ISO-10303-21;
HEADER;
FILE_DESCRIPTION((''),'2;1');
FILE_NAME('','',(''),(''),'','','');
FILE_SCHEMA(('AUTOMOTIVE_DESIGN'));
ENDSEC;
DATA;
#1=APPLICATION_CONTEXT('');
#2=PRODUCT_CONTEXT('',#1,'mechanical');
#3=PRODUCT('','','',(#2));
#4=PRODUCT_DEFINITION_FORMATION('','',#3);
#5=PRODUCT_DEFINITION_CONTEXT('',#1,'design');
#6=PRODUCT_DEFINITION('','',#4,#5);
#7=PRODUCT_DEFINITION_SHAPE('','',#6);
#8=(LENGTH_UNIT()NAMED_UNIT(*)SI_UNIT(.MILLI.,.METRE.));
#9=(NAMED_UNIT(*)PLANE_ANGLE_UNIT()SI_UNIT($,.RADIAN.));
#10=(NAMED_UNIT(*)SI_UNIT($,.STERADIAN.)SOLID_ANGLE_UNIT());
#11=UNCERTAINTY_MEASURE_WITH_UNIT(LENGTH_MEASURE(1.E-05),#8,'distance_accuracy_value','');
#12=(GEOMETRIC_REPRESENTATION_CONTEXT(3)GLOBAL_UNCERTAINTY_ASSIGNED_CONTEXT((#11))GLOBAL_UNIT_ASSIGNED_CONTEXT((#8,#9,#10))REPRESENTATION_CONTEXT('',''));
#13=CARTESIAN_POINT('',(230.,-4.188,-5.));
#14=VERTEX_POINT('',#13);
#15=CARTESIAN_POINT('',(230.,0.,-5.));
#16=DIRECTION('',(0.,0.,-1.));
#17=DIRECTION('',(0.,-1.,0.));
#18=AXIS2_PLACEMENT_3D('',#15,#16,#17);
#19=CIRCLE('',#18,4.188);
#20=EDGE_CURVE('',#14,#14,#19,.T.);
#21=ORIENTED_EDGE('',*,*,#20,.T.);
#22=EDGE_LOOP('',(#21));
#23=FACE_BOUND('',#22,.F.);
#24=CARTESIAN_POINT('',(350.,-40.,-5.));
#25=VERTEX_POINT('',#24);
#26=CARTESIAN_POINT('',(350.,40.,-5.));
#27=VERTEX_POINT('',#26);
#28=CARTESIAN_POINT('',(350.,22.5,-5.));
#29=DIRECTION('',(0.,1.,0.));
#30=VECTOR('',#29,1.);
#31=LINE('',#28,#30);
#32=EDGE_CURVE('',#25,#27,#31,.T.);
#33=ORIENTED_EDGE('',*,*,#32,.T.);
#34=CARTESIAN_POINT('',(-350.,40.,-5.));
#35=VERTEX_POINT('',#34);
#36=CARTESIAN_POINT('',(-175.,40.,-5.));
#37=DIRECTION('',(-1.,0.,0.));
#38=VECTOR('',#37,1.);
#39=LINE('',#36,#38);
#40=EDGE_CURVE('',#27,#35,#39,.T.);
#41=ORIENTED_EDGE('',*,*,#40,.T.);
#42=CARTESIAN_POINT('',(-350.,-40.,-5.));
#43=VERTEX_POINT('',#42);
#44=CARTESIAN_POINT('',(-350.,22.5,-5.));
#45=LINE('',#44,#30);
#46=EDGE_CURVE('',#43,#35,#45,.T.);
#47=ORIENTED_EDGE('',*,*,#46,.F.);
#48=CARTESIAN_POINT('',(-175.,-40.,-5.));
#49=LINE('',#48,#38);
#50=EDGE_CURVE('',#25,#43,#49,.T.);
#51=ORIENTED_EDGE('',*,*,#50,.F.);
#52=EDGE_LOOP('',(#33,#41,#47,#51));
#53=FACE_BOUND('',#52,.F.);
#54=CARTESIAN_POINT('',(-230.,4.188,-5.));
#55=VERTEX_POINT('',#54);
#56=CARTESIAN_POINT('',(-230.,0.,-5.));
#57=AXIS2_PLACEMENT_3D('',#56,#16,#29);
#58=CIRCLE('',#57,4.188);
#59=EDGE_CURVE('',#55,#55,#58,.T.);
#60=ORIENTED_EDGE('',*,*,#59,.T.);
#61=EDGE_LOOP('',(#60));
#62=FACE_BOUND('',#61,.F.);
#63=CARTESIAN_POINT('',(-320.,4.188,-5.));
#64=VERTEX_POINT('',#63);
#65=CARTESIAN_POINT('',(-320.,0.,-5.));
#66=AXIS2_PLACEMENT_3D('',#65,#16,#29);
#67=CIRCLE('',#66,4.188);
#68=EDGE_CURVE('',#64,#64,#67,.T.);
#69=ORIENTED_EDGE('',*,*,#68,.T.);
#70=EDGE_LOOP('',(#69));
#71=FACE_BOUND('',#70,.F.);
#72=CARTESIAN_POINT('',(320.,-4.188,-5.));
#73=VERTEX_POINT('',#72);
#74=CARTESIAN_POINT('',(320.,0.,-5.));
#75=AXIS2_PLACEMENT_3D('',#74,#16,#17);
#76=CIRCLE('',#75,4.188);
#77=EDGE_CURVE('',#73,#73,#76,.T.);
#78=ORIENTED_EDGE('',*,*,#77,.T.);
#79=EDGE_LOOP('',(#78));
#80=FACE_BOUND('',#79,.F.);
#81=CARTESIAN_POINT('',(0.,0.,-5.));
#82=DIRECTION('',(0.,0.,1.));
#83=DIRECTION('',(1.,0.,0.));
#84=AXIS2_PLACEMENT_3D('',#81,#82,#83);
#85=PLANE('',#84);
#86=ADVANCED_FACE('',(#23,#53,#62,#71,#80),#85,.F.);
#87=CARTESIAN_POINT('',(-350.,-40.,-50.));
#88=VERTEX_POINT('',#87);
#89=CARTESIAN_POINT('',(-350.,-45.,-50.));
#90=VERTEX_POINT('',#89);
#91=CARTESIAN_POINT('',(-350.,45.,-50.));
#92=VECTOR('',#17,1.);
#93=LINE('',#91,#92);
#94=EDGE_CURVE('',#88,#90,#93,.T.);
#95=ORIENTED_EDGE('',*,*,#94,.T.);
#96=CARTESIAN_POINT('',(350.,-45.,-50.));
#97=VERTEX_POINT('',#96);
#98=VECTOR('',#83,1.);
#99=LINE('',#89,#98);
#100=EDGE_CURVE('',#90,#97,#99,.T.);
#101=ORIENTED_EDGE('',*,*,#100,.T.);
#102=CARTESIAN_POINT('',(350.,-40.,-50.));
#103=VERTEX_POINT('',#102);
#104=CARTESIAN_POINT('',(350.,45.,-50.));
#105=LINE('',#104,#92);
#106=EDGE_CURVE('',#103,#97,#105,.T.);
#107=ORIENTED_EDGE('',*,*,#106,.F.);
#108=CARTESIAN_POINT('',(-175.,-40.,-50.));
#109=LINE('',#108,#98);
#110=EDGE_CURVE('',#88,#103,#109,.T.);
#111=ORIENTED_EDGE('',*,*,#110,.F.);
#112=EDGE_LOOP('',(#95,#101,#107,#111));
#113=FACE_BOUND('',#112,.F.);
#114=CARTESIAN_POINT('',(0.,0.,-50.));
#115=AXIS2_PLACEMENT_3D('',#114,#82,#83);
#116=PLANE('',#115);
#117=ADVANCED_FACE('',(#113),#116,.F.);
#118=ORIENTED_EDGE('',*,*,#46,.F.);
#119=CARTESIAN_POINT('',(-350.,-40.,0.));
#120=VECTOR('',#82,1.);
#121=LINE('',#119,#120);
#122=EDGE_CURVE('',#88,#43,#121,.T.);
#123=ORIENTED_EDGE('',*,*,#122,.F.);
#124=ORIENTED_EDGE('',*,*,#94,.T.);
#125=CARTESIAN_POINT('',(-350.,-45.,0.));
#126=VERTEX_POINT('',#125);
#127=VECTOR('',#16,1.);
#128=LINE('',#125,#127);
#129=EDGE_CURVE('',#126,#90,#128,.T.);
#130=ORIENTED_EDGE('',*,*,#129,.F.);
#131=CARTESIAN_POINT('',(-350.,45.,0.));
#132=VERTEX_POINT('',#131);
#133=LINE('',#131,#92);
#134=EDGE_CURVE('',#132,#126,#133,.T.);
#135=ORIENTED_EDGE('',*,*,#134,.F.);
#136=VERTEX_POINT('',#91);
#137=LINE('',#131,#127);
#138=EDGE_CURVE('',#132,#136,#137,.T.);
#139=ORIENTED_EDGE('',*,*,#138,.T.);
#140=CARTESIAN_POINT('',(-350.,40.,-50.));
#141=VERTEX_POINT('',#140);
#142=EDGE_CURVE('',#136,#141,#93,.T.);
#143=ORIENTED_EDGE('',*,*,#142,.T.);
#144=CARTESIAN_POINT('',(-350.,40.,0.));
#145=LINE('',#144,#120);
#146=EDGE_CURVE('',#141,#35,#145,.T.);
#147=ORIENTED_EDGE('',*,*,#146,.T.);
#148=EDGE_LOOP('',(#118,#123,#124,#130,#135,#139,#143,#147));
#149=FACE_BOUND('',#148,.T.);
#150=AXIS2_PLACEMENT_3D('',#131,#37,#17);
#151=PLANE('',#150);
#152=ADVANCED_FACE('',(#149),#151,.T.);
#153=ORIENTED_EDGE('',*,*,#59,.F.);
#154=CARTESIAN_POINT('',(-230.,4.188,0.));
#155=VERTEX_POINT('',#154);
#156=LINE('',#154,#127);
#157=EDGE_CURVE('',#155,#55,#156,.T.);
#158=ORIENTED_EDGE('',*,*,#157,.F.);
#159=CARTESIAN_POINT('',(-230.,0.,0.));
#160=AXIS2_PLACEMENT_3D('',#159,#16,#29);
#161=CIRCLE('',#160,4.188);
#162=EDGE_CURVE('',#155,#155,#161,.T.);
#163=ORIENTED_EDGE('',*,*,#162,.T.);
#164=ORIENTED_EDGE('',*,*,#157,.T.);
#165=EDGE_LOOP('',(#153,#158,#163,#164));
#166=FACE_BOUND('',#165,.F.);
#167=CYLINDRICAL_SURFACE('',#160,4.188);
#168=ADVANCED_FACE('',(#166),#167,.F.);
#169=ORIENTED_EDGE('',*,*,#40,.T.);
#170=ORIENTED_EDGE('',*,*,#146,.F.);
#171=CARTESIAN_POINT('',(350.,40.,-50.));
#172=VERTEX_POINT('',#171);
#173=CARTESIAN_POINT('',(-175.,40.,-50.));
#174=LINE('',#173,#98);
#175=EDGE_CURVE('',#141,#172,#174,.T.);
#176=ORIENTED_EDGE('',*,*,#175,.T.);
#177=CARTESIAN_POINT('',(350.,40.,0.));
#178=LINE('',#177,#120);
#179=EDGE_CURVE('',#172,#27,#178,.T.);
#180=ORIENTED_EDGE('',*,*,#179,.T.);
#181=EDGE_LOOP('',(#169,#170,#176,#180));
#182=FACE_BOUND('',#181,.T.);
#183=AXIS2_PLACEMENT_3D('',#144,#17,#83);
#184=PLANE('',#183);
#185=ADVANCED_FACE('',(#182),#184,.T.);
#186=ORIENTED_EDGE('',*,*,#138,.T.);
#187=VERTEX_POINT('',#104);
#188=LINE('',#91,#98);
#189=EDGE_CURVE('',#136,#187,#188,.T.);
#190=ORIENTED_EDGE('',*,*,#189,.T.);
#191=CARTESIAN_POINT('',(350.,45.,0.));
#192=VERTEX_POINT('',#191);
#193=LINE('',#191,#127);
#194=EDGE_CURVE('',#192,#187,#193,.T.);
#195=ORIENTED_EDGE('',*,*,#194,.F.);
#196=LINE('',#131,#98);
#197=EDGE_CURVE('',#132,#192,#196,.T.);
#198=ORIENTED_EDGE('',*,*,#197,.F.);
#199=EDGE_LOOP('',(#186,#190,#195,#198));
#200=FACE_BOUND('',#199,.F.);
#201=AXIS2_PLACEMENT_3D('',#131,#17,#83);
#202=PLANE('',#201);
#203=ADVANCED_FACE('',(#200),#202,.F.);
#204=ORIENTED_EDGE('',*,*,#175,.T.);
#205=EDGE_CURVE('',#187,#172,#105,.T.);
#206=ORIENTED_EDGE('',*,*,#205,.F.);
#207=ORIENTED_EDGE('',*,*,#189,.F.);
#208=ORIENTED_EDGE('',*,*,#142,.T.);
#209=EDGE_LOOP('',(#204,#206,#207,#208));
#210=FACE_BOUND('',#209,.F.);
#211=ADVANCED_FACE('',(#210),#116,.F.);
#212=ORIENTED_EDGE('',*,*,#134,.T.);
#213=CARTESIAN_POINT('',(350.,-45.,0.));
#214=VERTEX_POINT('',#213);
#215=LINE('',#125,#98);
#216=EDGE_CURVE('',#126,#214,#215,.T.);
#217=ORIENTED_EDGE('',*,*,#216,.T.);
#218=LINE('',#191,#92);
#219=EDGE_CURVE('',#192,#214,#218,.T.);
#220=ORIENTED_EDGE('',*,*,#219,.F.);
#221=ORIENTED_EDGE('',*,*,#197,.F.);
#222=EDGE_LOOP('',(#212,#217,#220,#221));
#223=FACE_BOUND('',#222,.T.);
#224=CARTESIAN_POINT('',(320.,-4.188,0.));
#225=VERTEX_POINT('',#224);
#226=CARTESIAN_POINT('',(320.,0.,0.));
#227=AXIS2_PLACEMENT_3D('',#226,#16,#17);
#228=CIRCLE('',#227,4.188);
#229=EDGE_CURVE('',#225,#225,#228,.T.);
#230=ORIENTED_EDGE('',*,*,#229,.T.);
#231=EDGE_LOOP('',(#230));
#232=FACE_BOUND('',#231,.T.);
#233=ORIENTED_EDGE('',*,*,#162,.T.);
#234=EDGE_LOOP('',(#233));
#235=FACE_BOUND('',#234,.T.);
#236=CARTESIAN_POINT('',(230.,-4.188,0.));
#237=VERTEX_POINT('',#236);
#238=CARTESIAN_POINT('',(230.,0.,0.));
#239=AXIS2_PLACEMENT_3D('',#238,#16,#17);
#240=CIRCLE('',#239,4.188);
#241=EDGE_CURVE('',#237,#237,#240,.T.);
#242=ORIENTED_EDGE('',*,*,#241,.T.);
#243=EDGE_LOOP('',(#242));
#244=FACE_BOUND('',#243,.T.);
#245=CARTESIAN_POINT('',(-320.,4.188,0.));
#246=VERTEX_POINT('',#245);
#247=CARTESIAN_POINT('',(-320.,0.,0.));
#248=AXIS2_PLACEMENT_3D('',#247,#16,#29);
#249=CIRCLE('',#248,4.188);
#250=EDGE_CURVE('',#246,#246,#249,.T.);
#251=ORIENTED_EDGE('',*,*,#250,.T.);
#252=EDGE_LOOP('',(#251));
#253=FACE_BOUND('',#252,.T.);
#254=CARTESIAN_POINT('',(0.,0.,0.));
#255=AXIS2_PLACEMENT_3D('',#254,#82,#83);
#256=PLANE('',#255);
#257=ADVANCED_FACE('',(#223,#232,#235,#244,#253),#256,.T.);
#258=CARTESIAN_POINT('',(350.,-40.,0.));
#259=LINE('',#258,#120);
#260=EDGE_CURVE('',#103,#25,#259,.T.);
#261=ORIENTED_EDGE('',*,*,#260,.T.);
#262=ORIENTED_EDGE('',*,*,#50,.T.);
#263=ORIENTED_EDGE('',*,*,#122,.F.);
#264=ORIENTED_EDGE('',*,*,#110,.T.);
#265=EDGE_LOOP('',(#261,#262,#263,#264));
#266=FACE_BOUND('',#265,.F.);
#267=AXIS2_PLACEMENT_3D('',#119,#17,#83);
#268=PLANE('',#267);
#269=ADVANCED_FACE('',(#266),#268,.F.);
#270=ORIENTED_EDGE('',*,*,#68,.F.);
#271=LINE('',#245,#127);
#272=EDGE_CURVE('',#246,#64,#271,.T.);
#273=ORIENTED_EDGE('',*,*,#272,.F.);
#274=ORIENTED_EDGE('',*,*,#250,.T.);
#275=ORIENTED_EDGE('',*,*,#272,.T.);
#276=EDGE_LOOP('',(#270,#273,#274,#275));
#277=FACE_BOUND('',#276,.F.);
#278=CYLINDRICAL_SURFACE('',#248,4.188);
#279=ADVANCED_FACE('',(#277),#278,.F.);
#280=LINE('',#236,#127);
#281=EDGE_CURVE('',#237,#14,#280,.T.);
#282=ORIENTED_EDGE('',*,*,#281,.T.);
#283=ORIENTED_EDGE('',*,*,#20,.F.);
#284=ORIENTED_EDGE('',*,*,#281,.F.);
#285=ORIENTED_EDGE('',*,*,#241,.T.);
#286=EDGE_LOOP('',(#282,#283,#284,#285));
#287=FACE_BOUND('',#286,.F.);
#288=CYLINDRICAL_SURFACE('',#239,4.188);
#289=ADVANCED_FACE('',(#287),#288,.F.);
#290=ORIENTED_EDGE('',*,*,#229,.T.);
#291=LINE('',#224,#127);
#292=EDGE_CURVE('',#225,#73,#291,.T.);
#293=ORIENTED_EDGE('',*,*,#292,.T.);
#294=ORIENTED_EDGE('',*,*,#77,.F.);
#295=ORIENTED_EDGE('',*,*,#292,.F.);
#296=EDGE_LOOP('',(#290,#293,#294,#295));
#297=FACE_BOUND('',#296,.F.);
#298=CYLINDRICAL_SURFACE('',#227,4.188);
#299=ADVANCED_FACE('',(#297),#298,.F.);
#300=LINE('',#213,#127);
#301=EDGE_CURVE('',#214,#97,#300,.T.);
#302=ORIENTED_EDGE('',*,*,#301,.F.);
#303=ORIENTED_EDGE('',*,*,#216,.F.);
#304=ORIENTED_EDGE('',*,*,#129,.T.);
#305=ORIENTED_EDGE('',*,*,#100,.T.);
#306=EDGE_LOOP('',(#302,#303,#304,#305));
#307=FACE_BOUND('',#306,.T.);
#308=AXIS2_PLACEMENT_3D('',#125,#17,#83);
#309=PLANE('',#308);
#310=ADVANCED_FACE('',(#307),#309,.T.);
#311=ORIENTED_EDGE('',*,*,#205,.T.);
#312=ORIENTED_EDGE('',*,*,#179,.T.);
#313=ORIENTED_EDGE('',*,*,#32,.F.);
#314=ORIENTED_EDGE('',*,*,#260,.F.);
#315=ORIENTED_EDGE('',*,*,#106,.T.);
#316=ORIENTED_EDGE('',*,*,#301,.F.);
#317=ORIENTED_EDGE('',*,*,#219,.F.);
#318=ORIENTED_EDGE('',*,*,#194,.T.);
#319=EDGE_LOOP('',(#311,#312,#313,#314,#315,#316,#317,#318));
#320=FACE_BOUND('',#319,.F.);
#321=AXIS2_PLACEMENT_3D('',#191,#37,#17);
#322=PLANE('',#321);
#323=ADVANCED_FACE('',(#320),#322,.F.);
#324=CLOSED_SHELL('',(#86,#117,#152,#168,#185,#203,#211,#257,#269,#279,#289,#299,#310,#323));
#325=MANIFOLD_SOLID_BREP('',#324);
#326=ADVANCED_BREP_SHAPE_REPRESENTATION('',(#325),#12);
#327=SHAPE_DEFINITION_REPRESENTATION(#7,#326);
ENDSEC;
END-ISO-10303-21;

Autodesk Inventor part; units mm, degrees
ref_plane "YZ Plane" through (0, 0, 0) normal (1, 0, 0) x (0, 1, 0)
ref_plane "XZ Plane" through (0, 0, 0) normal (0, 1, 0) x (-1, 0, 0)
ref_plane "XY Plane" through (0, 0, 0) normal (0, 0, 1) x (1, 0, 0)
sketch "Sketch1" plane through (0, 0, 0) normal (0, 0, 1) x (1, 0, 0)
  line L0 (-350, 45) -> (350, 45)
  line L1 (-350, -45) -> (350, -45)
  line L2 (-350, 45) -> (-350, -45)
  line L3 (350, 45) -> (350, -45)
  line L4 (350, -45) -> (-350, 45) construction
  line L5 (-350, -45) -> (350, 45) construction
  point P0 (0, 0)
  point P1 (0, 0)
  dimension "d8" = 700
  dimension "d9" = 90
extrude "Extrusion1" add sketch "Sketch1" against normal blind 50
shell "Shell1" thickness 5 removed faces 3 at (350, 15, -16.6667) at (-350, -15, -16.6667) at (116.6667, 15, -50)
sketch "Sketch3" plane through (0, 0, 0) normal (0, 0, 1) x (1, 0, 0)
  point P0 (0, 0)
  point P1 (320, 0)
  point P2 (230, 0)
  dimension "d11" = 320
  dimension "d12" = 90
hole "Hole1" at (320, 0, 0) at (230, 0, 0) direction (0, 0, -1) diameter 8.376 end through all thread size "M10x1.5" class "6H" standard "ANSI Metric M Profile"
pattern_circular "Circular Pattern1" count 2 over 360 about axis through (0, 0, -10) along (0, 0, 1) of "Hole1"
properties part number "ADSK-MH-10011" material "Steel, Mild"
